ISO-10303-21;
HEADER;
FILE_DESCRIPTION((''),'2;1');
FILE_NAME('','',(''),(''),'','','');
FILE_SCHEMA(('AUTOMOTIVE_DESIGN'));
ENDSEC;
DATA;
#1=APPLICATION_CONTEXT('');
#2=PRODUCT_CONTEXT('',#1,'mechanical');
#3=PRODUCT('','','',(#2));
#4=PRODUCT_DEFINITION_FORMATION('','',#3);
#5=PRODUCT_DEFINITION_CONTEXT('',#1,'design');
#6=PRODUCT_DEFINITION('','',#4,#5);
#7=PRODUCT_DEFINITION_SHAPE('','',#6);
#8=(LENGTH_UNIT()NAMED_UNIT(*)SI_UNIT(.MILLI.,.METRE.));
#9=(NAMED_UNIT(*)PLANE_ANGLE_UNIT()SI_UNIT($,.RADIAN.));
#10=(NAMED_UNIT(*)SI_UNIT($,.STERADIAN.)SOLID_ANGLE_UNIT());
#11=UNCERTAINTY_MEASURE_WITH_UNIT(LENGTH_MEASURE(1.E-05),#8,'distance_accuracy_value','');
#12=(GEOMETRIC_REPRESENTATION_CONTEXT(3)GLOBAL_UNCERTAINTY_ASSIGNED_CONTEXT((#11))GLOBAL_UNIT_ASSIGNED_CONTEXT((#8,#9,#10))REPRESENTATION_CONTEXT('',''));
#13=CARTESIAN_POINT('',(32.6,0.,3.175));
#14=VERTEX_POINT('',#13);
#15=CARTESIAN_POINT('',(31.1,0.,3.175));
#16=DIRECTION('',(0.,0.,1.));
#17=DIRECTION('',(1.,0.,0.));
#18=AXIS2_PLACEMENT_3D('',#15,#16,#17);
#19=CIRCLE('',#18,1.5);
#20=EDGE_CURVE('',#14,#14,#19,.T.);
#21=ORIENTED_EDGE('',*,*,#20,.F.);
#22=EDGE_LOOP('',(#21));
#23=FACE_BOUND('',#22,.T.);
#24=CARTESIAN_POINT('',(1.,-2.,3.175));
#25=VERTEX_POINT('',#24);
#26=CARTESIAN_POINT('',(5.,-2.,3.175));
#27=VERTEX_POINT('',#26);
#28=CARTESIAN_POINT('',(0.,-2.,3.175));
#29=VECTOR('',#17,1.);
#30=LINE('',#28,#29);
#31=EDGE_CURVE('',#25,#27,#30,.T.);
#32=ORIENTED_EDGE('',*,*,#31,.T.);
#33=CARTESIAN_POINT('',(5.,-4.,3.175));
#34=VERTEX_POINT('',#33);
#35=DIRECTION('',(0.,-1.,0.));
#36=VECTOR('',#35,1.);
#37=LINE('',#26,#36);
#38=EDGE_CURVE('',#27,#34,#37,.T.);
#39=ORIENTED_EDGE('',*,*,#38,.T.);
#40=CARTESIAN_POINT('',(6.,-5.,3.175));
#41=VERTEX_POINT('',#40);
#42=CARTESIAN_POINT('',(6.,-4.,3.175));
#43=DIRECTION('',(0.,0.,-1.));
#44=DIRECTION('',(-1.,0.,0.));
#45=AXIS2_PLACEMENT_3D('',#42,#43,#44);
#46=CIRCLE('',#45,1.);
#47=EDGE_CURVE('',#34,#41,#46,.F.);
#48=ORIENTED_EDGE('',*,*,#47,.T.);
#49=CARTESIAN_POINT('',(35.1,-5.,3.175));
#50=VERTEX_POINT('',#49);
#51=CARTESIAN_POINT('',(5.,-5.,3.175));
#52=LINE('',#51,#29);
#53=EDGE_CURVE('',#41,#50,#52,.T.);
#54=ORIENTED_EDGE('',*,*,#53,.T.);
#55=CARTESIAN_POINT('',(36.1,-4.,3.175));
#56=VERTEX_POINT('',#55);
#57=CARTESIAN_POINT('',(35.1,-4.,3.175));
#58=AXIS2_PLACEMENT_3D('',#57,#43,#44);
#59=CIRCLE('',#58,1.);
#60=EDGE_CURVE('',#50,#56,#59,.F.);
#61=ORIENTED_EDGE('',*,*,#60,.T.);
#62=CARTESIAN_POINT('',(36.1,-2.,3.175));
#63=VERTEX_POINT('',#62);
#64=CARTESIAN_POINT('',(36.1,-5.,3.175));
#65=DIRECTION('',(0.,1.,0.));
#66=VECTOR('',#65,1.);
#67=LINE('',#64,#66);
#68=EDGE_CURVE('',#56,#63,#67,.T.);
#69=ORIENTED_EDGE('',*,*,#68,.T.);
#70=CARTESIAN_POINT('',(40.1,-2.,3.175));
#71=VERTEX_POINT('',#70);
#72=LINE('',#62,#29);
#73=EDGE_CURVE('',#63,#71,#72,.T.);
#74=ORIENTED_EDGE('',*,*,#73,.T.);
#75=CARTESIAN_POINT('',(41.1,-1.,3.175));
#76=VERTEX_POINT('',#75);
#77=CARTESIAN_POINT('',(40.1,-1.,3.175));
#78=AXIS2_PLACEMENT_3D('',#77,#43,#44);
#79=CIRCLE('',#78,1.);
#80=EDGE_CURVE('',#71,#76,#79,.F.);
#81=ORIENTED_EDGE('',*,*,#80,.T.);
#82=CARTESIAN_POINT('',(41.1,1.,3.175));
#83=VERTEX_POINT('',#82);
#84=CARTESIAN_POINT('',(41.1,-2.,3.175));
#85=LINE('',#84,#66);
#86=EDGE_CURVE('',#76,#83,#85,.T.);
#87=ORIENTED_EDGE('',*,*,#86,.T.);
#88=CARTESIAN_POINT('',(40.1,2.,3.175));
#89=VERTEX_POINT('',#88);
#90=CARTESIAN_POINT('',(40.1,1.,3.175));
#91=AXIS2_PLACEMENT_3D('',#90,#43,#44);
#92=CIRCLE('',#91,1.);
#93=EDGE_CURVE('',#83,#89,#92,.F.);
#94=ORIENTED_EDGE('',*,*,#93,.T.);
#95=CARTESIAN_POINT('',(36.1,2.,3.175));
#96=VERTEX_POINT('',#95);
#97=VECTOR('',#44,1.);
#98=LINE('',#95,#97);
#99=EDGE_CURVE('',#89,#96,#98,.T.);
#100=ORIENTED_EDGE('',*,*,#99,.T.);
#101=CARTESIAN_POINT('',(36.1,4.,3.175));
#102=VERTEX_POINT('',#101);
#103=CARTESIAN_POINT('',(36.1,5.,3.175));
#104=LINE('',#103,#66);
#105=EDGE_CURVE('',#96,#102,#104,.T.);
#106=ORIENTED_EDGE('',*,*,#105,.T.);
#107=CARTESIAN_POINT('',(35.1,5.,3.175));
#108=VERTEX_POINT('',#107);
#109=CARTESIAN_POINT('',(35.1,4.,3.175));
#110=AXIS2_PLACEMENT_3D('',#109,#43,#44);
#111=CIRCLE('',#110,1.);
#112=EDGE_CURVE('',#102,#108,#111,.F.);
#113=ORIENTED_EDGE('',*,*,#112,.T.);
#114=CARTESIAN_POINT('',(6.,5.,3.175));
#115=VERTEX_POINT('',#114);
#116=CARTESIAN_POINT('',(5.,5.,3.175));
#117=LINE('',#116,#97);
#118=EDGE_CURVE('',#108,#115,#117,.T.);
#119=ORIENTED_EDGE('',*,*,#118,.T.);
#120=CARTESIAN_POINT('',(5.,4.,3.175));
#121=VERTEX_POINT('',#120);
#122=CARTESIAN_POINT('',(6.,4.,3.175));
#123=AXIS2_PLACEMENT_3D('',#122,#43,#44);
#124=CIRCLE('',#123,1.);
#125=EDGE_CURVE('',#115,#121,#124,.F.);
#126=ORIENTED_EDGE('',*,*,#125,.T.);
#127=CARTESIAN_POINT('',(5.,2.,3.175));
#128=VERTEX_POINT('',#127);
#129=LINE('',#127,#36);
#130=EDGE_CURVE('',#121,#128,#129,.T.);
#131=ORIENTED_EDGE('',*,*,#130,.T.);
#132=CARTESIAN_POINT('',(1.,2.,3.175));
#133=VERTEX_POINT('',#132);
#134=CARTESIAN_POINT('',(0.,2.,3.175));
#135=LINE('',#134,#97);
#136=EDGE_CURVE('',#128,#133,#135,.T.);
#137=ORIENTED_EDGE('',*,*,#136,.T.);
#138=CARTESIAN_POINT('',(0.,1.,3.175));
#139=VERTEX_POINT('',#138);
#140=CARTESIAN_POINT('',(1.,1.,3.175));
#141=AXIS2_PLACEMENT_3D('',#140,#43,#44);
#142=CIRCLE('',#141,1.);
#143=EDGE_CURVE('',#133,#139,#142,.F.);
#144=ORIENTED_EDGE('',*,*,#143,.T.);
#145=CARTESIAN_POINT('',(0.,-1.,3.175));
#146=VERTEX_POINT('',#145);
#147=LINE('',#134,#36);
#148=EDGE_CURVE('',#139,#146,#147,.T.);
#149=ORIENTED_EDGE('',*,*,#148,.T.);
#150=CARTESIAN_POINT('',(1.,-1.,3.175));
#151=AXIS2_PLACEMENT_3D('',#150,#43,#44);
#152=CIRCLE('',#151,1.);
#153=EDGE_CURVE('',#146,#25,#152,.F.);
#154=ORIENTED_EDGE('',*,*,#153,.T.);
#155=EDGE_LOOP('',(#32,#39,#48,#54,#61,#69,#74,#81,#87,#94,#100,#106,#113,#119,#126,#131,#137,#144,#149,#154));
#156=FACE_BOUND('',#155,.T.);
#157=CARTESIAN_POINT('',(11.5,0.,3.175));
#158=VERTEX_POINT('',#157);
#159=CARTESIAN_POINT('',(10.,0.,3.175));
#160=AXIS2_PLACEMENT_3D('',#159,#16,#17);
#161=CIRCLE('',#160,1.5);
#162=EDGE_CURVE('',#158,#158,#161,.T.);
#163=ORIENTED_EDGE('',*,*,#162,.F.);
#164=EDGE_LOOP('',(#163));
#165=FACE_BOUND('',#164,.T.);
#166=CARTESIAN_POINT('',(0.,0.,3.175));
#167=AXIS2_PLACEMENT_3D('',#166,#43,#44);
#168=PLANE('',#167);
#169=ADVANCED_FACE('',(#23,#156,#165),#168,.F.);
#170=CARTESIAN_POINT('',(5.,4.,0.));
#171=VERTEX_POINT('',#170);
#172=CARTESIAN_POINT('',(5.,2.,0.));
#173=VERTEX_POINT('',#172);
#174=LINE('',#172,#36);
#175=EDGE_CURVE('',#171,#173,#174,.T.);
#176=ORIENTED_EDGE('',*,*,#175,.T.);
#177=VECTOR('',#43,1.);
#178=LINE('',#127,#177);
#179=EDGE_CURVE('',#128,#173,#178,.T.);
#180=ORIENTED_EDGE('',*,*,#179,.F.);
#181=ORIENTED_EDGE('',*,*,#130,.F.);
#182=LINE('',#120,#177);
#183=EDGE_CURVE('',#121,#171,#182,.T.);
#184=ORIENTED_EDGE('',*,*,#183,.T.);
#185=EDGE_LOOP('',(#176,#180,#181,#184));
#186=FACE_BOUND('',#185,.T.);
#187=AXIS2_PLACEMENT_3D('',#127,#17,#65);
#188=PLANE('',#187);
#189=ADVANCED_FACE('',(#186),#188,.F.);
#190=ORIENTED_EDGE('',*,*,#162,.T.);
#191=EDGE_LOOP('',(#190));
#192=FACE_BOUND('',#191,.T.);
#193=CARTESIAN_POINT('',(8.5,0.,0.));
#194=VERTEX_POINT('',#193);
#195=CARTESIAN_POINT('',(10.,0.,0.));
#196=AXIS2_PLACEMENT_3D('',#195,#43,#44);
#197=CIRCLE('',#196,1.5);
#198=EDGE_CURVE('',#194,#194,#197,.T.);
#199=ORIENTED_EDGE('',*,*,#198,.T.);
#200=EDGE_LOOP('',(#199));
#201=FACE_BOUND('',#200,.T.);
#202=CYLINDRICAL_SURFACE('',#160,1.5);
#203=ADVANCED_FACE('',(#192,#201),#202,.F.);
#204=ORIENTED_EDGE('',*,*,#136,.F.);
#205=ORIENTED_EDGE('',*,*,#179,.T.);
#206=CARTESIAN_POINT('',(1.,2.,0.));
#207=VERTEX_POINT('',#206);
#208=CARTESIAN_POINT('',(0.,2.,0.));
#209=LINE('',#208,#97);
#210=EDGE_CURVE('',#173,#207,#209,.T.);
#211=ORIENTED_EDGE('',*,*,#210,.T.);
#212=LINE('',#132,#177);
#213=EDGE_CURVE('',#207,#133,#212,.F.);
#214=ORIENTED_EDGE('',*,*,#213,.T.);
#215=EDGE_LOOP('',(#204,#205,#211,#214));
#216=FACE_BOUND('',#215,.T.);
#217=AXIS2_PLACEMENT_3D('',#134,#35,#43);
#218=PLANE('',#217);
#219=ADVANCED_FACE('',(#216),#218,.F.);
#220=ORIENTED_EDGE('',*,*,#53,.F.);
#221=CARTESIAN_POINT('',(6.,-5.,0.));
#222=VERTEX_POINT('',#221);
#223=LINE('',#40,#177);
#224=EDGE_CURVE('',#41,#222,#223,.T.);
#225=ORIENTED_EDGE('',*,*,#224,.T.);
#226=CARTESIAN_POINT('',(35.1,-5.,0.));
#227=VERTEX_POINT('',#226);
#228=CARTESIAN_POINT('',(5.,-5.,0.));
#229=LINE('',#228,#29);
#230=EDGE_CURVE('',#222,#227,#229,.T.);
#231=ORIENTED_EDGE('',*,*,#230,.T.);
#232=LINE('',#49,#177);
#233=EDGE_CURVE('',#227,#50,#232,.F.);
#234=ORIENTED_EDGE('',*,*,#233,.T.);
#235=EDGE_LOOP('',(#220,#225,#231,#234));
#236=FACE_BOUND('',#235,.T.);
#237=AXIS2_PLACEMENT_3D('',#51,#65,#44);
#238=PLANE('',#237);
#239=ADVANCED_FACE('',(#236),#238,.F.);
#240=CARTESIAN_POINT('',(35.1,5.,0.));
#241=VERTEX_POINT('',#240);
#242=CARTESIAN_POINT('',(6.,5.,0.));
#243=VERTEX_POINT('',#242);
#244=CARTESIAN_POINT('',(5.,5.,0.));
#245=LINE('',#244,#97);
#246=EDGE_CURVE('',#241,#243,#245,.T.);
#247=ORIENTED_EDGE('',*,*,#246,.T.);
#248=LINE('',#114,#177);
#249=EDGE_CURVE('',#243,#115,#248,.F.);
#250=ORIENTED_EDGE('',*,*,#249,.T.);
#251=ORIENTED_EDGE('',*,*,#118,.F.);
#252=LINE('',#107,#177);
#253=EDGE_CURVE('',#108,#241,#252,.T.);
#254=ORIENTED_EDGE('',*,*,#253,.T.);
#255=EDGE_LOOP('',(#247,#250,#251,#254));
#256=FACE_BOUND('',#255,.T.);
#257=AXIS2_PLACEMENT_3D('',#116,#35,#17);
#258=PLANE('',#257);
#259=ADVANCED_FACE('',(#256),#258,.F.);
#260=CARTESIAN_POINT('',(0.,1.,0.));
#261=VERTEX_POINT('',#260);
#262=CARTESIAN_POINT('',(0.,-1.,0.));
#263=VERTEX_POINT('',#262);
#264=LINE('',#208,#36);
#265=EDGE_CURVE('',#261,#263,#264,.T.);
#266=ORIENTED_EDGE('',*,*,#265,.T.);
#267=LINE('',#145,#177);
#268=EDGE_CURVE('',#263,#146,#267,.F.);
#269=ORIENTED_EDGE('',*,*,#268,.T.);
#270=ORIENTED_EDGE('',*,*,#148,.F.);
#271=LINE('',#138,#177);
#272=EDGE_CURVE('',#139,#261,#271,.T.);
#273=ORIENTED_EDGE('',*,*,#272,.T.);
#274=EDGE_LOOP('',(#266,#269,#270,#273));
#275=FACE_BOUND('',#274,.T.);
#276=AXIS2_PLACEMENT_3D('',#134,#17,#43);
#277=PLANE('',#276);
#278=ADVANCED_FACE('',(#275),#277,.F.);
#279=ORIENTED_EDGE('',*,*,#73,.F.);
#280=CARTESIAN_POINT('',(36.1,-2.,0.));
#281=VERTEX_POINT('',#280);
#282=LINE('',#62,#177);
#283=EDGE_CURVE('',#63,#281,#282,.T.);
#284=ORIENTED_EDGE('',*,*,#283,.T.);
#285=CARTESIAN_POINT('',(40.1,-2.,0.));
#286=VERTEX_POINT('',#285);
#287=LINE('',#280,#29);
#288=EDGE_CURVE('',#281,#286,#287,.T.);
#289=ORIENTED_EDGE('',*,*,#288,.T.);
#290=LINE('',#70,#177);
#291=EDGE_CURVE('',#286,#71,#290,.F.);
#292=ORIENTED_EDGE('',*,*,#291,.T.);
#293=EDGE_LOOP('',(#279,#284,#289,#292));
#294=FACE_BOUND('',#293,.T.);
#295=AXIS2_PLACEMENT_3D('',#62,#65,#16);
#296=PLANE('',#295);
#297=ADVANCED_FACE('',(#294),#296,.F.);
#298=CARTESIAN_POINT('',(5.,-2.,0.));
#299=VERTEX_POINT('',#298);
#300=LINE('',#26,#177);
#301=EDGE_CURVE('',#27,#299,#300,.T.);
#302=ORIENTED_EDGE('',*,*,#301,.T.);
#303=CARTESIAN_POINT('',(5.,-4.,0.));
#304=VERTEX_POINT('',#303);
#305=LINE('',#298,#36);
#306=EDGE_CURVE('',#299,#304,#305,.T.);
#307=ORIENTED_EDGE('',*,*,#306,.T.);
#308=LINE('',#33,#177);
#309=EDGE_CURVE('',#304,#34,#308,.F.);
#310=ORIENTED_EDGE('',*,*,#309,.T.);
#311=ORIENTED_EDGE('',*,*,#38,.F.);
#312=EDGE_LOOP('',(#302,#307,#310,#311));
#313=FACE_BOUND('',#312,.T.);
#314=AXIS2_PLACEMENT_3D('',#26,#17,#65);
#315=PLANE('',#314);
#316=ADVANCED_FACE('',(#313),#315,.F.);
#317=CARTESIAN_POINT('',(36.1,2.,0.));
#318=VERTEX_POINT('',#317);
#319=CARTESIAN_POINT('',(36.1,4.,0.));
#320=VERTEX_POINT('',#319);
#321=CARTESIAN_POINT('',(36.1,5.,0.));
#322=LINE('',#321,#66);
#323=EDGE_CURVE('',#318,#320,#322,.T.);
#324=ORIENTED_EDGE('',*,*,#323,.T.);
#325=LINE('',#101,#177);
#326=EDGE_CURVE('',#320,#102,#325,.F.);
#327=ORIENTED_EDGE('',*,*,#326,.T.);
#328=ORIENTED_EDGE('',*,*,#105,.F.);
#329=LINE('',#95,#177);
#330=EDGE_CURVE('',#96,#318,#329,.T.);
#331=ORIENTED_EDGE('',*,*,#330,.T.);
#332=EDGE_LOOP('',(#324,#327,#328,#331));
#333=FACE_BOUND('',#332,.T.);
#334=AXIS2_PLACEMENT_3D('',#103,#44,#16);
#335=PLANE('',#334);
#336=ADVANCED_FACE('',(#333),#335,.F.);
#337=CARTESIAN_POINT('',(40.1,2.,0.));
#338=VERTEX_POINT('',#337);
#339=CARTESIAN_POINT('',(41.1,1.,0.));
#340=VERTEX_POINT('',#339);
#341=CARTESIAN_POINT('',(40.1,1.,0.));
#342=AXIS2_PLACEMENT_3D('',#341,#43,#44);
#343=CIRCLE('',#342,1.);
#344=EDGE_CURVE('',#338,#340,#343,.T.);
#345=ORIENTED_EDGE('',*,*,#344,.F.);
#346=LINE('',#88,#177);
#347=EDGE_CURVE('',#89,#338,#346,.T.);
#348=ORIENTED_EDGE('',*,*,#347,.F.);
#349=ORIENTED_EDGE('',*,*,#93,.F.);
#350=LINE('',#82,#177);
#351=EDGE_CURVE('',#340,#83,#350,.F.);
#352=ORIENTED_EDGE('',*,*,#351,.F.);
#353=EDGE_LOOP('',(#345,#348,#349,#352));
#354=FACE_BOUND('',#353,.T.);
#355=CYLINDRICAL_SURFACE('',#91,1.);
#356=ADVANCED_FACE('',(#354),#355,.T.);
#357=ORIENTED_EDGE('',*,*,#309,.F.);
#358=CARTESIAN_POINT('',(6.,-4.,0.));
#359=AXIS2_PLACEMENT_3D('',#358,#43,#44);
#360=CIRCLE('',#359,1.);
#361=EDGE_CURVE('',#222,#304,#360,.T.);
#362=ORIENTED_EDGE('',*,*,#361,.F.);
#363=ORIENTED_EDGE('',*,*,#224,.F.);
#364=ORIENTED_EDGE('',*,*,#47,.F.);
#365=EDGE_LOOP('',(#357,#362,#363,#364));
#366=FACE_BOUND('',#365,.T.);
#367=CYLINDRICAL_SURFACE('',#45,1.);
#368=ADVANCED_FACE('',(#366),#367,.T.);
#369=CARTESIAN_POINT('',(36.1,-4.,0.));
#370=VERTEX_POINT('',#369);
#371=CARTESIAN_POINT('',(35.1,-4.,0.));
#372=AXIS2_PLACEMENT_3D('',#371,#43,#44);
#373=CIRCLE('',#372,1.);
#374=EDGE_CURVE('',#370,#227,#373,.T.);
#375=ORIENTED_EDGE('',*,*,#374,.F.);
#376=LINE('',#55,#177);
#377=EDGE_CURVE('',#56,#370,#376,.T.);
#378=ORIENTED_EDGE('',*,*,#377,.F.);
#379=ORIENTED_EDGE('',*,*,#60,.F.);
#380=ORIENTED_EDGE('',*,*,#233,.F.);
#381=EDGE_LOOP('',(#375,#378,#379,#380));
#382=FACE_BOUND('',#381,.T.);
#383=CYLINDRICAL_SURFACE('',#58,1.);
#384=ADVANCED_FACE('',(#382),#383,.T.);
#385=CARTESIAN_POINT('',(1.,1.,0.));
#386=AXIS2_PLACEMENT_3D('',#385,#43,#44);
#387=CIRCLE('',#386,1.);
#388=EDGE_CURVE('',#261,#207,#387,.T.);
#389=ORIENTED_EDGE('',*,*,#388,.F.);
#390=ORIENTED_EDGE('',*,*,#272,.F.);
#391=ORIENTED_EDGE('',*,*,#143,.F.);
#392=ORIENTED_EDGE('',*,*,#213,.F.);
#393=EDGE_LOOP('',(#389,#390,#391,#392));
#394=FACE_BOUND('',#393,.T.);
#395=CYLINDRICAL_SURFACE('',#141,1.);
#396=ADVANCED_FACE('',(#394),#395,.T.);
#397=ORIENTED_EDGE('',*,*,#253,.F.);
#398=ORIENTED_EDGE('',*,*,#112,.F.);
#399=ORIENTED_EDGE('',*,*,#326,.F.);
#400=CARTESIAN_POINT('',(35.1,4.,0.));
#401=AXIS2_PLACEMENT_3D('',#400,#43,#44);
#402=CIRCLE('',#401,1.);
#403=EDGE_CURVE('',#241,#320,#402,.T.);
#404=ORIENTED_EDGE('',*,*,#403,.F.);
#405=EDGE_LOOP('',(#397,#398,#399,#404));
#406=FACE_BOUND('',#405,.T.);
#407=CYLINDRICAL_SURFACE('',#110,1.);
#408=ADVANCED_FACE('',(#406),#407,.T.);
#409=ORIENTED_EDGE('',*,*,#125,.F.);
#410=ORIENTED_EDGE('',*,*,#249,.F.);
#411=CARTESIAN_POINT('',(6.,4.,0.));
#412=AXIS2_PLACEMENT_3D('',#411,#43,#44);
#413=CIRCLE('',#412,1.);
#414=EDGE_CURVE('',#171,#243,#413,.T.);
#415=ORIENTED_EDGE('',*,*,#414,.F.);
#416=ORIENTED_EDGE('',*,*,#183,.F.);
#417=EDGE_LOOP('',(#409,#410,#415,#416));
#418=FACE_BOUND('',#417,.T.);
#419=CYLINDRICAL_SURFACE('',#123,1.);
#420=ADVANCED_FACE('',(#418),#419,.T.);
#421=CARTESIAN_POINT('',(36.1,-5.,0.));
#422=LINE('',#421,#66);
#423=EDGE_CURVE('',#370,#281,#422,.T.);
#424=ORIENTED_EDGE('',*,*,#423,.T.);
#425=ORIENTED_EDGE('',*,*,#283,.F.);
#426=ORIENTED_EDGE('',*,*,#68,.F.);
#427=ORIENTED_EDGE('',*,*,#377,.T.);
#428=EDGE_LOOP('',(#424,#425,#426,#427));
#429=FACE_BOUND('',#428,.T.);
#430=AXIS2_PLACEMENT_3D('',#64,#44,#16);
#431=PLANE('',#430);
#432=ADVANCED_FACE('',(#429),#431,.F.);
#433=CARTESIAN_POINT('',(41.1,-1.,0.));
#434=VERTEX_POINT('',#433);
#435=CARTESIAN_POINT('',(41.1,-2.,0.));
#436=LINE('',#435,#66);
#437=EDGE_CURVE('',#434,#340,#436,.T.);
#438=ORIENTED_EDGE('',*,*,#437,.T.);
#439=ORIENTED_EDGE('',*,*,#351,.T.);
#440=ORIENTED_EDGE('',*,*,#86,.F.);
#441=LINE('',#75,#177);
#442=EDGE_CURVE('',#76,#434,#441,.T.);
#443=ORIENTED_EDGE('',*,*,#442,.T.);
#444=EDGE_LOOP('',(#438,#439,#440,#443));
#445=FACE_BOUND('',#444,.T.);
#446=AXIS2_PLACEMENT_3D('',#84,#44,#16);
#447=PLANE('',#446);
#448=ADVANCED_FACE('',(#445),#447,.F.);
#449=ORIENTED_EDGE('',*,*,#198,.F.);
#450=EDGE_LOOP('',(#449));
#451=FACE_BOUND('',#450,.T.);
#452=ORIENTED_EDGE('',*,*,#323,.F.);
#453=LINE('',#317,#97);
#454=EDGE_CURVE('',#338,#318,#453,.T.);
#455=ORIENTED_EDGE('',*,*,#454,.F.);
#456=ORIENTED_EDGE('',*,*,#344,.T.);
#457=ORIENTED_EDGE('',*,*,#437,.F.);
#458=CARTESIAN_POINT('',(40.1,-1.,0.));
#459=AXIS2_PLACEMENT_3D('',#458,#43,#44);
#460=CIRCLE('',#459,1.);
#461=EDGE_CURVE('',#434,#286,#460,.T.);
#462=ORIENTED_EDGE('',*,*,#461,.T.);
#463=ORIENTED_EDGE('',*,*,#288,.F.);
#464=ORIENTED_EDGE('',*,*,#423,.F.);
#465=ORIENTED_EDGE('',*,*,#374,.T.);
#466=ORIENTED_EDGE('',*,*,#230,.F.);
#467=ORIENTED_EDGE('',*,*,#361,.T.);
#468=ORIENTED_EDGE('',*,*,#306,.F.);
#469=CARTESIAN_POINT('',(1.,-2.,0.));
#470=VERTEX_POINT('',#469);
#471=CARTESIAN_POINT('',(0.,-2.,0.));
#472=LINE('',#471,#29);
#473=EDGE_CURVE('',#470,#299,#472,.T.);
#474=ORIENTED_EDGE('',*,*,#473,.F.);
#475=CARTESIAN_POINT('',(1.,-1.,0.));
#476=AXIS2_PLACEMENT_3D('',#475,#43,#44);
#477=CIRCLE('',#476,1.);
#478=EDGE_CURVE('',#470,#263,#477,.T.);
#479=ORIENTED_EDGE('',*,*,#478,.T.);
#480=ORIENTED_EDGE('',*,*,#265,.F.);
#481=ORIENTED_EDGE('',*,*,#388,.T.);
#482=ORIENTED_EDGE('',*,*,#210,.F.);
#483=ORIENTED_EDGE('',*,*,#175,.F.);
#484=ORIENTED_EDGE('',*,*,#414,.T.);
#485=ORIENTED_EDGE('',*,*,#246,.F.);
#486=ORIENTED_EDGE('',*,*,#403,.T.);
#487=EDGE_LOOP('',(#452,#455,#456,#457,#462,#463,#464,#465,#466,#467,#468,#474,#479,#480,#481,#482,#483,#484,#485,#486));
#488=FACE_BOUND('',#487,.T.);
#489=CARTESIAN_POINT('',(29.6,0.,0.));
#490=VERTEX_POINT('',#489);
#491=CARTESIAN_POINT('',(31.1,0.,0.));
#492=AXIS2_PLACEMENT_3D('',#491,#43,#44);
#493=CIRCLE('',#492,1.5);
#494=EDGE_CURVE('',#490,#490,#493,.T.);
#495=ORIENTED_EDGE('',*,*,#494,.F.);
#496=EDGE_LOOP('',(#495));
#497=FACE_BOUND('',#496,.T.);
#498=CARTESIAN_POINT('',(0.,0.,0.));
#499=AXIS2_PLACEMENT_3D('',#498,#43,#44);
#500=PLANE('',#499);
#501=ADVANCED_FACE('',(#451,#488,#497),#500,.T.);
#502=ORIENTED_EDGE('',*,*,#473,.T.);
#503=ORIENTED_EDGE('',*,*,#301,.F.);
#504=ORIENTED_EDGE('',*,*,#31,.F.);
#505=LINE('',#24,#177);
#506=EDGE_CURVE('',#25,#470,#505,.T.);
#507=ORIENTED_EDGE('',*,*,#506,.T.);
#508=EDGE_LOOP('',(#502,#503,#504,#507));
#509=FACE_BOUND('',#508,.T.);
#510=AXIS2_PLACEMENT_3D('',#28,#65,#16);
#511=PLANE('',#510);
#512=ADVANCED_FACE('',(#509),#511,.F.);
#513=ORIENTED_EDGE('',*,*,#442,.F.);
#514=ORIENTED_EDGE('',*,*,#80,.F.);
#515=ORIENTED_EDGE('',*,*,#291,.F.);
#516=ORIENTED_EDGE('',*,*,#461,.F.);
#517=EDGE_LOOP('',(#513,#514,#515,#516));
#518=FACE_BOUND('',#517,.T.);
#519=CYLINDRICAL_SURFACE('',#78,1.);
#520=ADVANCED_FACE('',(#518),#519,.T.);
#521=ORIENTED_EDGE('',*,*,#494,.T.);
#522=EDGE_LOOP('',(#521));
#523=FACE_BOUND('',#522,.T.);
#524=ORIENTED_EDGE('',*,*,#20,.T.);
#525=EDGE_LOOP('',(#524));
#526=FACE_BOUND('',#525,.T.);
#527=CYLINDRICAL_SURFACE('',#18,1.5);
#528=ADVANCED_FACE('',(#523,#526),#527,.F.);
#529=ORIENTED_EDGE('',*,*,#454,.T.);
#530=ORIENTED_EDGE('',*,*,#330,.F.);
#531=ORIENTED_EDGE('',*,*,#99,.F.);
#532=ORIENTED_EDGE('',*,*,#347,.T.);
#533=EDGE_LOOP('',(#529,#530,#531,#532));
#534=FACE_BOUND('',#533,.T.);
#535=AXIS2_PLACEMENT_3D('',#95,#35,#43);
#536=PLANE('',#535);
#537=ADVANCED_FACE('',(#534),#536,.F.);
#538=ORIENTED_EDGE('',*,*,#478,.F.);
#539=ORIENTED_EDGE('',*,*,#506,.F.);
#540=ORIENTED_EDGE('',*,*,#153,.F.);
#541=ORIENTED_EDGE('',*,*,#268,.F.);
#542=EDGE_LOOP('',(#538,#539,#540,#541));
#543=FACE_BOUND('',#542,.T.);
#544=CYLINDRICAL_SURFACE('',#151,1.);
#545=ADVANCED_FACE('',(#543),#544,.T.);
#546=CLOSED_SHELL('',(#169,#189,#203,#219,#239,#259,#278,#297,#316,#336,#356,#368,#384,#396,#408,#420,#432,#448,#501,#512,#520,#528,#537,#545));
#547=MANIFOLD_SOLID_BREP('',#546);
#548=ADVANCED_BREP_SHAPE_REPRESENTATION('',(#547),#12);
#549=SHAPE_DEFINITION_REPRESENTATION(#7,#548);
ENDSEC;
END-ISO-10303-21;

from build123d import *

# Parameters (mm, degrees)
BOSS_EXTRUDE1_DEPTH   = 3.175
F_3_0MM_DOWEL_HOLE1_D = 3
FILLET1_R             = 1


with BuildPart() as part:
    # Sketch1 → Boss-Extrude1 (new body)
    with BuildSketch(Plane.XY):
        Polygon((0, 2), (0, -2), (5, -2), (5, -5), (36.1, -5), (36.1, -2), (41.1, -2), (41.1, 2), (36.1, 2), (36.1, 5), (5, 5), (5, 2), align=None)
    extrude(amount=BOSS_EXTRUDE1_DEPTH)

    # Ø3.0mm Dowel Hole1 (through all)
    with Locations(Plane.XY.offset(3.175)):
        with Locations((10, 0), (31.1, 0)):
            Hole(F_3_0MM_DOWEL_HOLE1_D / 2)

    # Fillet1
    fillet1_edges = [part.edges().sort_by_distance(p)[0] for p in [
        (0, -2, 1.5875),
        (0, 2, 1.5875),
        (5, 5, 1.5875),
        (36.1, 5, 1.5875),
        (41.1, 2, 1.5875),
        (41.1, -2, 1.5875),
        (36.1, -5, 1.5875),
        (5, -5, 1.5875),
    ]]
    fillet(fillet1_edges, radius=FILLET1_R)


solid = part.part
